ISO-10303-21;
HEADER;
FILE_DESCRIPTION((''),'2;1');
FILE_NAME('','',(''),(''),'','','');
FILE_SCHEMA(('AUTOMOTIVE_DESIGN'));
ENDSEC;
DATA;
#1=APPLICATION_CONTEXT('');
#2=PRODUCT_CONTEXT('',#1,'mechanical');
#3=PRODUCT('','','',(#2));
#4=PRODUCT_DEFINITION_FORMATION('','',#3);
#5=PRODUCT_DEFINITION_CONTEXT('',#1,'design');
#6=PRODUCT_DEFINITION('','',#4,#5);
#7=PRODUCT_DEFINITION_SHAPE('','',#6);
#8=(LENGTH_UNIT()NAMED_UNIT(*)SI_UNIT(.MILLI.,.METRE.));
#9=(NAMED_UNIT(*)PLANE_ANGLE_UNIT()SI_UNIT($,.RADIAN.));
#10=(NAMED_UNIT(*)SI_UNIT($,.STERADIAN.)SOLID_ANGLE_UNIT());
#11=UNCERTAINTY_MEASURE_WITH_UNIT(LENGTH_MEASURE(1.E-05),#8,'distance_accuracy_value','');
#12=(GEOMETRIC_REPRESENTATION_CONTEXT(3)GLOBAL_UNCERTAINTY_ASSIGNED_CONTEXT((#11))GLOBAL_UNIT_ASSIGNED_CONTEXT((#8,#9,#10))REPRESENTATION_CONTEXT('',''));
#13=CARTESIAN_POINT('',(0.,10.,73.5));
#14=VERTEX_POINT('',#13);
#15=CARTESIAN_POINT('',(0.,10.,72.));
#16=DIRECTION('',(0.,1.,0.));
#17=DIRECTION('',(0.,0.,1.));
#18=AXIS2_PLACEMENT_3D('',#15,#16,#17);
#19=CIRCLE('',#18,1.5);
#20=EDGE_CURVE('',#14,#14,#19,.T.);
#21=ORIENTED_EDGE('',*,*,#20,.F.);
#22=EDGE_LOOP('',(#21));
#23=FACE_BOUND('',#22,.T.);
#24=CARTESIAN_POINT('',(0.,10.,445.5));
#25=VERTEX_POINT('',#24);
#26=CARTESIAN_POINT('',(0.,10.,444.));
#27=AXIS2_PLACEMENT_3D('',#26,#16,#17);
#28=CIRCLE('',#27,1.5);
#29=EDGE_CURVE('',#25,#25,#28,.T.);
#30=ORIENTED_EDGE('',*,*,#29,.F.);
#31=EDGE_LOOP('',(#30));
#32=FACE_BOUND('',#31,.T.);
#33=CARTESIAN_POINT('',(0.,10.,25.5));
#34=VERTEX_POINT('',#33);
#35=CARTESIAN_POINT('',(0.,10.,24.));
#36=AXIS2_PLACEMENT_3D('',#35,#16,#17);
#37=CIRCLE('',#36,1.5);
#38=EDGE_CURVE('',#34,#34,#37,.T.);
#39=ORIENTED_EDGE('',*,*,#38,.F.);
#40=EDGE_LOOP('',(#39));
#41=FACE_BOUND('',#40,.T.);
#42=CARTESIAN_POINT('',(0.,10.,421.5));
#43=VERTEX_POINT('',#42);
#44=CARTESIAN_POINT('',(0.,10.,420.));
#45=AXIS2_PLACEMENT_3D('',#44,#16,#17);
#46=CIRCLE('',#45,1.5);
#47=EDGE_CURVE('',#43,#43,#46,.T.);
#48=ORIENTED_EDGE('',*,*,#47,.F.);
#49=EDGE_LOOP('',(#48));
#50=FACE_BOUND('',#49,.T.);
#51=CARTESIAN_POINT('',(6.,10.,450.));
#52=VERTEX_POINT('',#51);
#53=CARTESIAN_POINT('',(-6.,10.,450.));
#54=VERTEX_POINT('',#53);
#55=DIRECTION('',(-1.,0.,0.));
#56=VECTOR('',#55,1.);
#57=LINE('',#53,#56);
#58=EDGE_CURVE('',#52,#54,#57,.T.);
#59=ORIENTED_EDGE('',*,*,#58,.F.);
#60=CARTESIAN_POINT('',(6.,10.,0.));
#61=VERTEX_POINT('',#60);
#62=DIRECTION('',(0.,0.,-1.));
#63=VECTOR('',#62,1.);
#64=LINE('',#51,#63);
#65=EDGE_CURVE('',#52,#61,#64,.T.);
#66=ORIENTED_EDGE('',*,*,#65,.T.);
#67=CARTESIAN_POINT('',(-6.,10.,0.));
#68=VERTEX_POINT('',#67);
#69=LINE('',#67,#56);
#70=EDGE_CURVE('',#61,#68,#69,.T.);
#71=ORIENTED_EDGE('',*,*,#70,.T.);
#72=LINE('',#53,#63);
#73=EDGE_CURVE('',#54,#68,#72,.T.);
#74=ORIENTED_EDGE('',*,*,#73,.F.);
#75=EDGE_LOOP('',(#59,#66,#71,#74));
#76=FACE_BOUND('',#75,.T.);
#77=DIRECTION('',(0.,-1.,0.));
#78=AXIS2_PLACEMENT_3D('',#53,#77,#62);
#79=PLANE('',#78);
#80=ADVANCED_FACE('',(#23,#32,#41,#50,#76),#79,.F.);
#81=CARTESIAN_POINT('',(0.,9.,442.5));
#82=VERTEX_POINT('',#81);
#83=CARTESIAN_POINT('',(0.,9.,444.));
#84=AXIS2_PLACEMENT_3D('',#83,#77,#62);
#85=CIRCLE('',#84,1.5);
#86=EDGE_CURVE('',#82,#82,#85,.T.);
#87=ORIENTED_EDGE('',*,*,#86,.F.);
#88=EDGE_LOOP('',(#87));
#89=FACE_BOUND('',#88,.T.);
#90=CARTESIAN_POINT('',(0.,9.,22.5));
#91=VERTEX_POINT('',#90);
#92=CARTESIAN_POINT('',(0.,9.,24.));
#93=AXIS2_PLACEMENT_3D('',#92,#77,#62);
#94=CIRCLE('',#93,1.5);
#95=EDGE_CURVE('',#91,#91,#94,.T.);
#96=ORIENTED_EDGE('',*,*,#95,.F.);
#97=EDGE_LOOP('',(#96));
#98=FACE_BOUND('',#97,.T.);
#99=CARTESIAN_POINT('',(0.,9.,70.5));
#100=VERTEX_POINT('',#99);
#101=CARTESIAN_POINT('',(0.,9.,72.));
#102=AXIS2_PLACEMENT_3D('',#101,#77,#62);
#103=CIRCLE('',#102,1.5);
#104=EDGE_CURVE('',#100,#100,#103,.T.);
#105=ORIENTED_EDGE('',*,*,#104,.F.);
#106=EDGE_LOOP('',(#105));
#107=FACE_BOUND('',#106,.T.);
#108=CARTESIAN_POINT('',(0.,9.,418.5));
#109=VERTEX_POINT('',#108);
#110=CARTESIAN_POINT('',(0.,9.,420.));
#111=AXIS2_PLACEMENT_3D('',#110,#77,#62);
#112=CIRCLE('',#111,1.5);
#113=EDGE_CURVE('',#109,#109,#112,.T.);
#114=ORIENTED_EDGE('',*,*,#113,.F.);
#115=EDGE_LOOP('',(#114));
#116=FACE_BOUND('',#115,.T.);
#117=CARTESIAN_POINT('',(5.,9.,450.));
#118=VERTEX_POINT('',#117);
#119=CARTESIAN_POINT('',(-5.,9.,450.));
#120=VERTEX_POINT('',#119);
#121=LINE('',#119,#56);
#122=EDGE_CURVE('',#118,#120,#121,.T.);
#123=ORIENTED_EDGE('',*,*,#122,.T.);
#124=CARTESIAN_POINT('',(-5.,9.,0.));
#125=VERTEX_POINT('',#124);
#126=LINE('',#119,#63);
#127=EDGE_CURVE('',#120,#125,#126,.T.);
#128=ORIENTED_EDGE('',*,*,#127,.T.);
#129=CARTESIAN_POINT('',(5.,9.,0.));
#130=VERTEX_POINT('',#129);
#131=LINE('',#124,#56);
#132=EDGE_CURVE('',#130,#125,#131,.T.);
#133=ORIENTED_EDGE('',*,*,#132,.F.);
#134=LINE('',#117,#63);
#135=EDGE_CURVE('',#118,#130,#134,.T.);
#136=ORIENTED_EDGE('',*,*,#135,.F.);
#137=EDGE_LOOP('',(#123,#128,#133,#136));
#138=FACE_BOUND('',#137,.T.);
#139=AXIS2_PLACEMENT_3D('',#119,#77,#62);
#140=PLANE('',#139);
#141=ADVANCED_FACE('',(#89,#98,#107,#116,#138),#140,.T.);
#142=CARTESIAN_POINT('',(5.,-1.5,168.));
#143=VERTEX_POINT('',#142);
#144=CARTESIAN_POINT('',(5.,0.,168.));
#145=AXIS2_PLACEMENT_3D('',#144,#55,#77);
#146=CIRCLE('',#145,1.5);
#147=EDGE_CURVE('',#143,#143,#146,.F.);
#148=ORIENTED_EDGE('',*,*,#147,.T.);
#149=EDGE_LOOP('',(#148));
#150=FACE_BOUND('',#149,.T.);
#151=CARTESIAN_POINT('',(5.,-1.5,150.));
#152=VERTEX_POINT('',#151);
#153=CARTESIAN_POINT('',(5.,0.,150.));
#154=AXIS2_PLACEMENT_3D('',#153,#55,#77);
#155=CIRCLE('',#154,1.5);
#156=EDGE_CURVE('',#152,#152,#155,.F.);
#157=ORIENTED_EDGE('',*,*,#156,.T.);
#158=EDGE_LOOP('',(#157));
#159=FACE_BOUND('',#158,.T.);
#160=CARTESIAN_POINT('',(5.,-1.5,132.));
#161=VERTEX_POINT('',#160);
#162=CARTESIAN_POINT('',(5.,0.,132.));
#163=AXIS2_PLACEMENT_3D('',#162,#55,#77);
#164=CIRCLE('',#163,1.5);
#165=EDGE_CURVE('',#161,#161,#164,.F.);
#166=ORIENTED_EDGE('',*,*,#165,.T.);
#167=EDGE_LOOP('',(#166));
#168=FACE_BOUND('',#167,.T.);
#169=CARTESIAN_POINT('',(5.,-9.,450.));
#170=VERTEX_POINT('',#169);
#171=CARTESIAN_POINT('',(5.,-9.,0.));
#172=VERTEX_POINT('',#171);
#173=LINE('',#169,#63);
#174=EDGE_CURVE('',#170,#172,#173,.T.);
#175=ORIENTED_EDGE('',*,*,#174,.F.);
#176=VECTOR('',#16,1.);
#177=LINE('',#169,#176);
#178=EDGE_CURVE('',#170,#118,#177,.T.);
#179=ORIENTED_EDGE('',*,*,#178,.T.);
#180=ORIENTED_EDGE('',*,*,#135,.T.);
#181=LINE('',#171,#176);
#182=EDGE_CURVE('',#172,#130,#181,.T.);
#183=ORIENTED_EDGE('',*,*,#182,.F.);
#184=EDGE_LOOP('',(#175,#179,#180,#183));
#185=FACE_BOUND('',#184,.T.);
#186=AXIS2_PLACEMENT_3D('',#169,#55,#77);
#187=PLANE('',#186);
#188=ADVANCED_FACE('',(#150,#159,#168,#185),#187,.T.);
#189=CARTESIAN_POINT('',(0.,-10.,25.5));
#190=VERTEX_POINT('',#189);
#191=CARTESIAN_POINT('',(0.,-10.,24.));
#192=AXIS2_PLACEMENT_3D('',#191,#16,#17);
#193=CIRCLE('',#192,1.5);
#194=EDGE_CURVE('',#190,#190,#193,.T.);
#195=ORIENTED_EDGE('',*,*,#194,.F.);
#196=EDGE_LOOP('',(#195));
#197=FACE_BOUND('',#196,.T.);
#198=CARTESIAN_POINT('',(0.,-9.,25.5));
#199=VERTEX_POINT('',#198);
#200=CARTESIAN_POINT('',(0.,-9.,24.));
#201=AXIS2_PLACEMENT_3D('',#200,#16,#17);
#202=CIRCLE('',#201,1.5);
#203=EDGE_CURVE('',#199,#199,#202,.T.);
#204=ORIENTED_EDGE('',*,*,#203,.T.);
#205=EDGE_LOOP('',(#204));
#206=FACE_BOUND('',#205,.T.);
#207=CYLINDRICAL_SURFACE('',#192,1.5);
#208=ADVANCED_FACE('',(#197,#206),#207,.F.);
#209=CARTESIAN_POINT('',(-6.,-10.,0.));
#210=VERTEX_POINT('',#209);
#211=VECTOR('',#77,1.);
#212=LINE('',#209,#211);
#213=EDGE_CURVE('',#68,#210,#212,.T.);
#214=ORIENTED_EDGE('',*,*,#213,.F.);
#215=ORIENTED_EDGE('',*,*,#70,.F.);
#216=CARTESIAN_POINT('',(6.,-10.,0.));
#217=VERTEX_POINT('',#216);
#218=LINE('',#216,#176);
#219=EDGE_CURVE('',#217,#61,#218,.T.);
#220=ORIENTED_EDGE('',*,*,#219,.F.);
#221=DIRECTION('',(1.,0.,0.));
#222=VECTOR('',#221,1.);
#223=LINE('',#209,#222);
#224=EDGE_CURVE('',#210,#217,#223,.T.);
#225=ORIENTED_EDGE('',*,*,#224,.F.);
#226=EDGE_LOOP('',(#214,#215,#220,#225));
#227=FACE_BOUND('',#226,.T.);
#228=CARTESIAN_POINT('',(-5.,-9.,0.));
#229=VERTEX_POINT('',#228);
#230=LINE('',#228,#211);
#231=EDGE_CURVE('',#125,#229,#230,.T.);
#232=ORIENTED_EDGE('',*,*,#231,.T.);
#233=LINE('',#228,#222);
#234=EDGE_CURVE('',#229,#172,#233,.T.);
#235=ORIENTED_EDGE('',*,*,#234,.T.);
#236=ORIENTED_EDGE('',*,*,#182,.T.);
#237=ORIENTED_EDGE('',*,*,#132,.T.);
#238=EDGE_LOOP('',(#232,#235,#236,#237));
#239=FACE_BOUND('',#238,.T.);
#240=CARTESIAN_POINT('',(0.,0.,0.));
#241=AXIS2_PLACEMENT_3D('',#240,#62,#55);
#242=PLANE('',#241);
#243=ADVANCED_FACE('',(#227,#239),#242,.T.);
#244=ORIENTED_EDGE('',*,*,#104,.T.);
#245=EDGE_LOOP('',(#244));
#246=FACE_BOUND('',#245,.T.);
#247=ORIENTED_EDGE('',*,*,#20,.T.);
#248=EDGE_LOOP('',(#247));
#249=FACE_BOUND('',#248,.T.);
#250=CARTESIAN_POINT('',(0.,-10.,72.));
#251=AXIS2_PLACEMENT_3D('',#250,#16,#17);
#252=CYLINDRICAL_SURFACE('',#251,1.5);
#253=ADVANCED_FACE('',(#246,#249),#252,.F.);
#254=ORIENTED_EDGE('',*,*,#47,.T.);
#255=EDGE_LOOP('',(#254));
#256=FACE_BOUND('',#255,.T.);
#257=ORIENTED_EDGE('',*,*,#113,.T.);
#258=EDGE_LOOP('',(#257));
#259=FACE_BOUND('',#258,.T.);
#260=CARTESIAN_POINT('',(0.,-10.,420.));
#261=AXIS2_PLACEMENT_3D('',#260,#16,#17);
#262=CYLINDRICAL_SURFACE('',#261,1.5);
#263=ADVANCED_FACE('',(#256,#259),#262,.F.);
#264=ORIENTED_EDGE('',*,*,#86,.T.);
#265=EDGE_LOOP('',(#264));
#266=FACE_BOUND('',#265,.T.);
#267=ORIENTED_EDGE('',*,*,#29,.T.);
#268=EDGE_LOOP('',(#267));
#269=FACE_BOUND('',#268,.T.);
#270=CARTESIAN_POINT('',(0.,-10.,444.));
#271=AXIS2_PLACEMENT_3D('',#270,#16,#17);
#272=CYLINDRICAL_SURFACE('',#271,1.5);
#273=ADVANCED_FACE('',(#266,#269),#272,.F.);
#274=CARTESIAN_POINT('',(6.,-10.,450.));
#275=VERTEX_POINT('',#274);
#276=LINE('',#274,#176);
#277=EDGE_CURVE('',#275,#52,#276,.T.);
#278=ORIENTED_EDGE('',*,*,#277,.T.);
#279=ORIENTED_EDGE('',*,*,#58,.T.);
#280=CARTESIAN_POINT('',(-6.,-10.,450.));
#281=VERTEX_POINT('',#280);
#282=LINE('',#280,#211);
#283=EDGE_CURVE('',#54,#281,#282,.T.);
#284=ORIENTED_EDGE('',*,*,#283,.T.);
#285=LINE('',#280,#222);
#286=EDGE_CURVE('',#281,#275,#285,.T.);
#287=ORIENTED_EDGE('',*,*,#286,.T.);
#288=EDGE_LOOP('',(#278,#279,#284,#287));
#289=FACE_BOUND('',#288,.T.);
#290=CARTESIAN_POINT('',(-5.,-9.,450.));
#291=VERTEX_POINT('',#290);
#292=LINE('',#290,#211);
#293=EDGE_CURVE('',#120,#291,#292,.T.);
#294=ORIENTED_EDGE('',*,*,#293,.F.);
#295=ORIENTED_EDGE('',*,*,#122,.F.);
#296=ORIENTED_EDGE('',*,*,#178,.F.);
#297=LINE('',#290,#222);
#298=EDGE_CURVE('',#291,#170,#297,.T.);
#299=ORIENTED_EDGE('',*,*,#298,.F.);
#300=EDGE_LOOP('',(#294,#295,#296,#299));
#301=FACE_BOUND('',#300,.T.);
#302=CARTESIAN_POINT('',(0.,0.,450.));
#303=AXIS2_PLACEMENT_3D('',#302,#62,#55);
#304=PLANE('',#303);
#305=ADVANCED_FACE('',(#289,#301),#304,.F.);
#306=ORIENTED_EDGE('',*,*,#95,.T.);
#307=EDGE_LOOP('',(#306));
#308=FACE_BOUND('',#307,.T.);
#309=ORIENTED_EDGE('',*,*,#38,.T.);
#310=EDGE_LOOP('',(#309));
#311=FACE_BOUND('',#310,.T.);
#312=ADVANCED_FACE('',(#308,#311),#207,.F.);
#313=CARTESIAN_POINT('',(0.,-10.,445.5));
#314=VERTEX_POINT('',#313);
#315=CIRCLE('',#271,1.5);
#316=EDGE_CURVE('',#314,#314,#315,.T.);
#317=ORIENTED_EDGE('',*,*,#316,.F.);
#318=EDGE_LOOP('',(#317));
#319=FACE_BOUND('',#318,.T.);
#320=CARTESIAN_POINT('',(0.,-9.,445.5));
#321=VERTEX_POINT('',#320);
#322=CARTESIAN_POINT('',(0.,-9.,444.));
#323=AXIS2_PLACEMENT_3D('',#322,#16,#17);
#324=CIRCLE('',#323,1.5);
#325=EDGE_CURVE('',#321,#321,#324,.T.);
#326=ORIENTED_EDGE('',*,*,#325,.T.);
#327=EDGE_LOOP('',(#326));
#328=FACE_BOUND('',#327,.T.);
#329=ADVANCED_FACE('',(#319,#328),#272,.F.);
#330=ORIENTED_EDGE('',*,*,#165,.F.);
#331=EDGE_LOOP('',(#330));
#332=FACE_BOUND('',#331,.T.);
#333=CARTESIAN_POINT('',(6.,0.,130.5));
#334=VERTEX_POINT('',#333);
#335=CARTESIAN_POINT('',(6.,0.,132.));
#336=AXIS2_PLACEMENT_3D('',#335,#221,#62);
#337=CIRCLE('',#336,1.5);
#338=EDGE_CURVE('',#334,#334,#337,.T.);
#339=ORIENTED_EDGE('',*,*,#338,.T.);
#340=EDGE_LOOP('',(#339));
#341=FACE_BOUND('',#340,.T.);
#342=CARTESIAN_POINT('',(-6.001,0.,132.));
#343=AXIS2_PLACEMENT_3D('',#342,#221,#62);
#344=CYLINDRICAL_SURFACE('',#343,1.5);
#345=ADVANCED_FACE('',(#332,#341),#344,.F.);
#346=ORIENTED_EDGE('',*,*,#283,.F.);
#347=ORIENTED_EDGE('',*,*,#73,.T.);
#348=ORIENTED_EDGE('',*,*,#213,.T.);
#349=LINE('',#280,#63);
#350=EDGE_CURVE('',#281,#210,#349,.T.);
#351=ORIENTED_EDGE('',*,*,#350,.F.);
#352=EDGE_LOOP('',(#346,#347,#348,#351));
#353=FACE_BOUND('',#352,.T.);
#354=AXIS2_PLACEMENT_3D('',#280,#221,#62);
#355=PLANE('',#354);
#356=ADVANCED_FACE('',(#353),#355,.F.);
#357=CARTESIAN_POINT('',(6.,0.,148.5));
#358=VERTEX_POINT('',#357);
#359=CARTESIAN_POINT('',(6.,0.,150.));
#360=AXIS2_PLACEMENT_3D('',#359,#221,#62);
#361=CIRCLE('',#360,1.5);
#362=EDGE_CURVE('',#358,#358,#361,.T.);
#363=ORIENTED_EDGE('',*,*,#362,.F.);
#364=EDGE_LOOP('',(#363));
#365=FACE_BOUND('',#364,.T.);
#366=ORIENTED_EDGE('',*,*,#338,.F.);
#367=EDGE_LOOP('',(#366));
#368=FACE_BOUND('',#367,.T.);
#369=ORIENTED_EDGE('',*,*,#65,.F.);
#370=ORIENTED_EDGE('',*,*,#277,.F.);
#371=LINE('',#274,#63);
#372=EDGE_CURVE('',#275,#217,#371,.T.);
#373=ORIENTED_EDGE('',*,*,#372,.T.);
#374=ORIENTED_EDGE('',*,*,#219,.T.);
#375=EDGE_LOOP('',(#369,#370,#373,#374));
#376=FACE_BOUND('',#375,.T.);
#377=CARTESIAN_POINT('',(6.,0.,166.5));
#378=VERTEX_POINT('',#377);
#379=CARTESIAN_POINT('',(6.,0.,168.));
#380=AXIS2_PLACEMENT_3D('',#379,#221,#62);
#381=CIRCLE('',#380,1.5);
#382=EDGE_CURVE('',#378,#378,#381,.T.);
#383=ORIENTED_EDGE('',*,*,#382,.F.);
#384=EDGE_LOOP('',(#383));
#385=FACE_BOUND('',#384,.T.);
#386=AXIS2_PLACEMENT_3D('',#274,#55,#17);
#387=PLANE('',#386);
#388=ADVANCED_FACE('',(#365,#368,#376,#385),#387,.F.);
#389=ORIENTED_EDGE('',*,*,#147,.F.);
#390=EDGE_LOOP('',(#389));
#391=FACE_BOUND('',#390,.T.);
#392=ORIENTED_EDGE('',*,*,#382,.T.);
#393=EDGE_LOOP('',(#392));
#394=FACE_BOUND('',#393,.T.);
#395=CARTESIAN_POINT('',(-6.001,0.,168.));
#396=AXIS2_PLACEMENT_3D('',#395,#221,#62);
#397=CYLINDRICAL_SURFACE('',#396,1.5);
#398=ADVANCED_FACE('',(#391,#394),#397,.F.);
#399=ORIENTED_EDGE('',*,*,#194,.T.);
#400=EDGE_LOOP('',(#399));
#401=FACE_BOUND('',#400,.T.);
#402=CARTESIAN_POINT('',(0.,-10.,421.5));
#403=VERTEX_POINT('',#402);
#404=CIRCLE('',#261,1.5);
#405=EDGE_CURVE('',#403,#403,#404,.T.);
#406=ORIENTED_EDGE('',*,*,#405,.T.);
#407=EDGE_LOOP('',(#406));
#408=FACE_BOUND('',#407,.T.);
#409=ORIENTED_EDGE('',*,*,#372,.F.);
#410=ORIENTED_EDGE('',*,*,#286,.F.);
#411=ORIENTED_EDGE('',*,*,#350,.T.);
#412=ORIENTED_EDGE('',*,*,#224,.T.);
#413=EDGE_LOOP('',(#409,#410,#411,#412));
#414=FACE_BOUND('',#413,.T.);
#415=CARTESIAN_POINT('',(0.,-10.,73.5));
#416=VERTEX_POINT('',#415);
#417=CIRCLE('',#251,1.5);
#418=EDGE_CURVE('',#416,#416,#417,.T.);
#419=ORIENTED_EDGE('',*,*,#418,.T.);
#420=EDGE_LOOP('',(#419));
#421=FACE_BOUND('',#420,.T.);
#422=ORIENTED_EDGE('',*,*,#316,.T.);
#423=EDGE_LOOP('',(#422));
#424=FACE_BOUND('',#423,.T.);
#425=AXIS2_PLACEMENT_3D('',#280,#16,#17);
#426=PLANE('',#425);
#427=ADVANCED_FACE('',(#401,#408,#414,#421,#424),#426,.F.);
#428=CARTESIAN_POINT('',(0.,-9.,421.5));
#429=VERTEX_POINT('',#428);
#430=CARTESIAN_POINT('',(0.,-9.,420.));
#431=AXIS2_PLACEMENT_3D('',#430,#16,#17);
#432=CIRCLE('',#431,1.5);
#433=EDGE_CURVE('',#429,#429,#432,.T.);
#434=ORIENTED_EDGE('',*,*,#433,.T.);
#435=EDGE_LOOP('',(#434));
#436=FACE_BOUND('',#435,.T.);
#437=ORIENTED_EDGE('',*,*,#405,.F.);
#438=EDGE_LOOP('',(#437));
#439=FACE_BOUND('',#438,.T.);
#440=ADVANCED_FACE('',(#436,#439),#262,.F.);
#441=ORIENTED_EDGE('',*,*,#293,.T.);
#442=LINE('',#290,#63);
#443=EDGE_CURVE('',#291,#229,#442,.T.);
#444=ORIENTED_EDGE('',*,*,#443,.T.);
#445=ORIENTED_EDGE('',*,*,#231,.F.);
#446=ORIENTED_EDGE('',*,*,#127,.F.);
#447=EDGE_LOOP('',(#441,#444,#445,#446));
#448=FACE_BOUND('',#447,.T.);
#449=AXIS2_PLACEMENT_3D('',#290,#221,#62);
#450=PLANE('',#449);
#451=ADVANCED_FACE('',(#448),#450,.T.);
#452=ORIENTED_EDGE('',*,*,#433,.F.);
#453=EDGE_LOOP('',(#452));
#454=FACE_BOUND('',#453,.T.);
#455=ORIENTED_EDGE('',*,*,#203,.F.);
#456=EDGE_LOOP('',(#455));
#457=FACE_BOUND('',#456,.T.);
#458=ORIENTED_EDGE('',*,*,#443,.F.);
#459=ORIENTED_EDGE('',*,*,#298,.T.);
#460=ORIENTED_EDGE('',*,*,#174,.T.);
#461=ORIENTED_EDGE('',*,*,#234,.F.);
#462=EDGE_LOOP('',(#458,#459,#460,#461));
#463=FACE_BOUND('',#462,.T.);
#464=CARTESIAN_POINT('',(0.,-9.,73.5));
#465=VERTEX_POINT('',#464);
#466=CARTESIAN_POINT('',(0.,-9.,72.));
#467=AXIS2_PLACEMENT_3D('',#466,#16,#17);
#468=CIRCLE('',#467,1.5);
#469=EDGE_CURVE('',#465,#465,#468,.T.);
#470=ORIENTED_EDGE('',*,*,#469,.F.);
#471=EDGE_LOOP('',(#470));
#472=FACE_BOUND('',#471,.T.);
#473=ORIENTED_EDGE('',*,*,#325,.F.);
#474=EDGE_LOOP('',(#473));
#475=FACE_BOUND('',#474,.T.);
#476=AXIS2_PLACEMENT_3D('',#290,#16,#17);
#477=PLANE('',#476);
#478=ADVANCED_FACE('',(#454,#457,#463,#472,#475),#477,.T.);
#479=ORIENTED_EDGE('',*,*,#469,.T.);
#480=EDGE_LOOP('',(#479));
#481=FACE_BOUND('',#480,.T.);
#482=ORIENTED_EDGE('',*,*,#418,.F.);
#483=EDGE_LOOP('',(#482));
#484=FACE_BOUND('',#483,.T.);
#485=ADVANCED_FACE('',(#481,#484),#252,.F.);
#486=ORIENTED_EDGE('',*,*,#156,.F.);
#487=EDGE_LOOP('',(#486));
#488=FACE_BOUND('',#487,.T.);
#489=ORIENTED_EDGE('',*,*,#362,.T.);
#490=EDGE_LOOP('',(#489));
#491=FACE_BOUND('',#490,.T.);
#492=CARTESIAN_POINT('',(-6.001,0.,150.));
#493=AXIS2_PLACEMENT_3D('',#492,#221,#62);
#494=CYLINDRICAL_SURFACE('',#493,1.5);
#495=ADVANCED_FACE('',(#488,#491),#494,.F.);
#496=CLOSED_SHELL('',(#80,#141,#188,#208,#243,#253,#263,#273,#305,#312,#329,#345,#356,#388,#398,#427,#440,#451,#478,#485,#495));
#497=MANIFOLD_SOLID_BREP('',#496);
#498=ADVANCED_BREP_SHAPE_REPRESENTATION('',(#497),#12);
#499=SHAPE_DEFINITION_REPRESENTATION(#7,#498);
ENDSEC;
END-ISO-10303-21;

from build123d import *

# Parameters (mm, degrees)
SKETCH1_W           = 12
SKETCH1_H           = 20
SKETCH1_W_2         = 10
SKETCH1_H_2         = 18
BOSS_EXTRUDE1_DEPTH = 450
CUT_EXTRUDE1_REACH  = 452.271
SKETCH2_R           = 1.5
SKETCH3_R           = 1.5
CUT_EXTRUDE2_DEPTH  = 451.484183962


with BuildPart() as part:
    # Sketch1 → Boss-Extrude1 (new body)
    with BuildSketch(Plane.XY):
        Rectangle(SKETCH1_W, SKETCH1_H)
        Rectangle(SKETCH1_W_2, SKETCH1_H_2, mode=Mode.SUBTRACT)
    extrude(amount=BOSS_EXTRUDE1_DEPTH)

    # Sketch2 → Cut-Extrude1 (cut, up to next)
    with BuildSketch(Plane(origin=(6, 0, 0), x_dir=(0, 0, -1), z_dir=(1, 0, 0)), mode=Mode.PRIVATE) as cut_extrude1_sk1:
        with Locations((-168, 0)):
            Circle(SKETCH2_R)
    cut_extrude1_tool1 = extrude(cut_extrude1_sk1.sketch, amount=-CUT_EXTRUDE1_REACH, mode=Mode.PRIVATE) & part.part
    # Sketch2 → Cut-Extrude1 (cut, up to next)
    with BuildSketch(Plane(origin=(6, 0, 0), x_dir=(0, 0, -1), z_dir=(1, 0, 0)), mode=Mode.PRIVATE) as cut_extrude1_sk2:
        with Locations((-150, 0)):
            Circle(SKETCH2_R)
    cut_extrude1_tool2 = extrude(cut_extrude1_sk2.sketch, amount=-CUT_EXTRUDE1_REACH, mode=Mode.PRIVATE) & part.part
    # Sketch2 → Cut-Extrude1 (cut, up to next)
    with BuildSketch(Plane(origin=(6, 0, 0), x_dir=(0, 0, -1), z_dir=(1, 0, 0)), mode=Mode.PRIVATE) as cut_extrude1_sk3:
        with Locations((-132, 0)):
            Circle(SKETCH2_R)
    cut_extrude1_tool3 = extrude(cut_extrude1_sk3.sketch, amount=-CUT_EXTRUDE1_REACH, mode=Mode.PRIVATE) & part.part
    add(cut_extrude1_tool1.solids().sort_by_distance((6, 0, 168))[0], mode=Mode.SUBTRACT)
    add(cut_extrude1_tool2.solids().sort_by_distance((6, 0, 150))[0], mode=Mode.SUBTRACT)
    add(cut_extrude1_tool3.solids().sort_by_distance((6, 0, 132))[0], mode=Mode.SUBTRACT)

    # Sketch3 → Cut-Extrude2 (cut, through all)
    with BuildSketch(Plane(origin=(0, 10, 0), x_dir=(1, 0, 0), z_dir=(0, 1, 0))):
        with Locations(Location((0, -444, 0), (0, 0, 270))):
            Circle(SKETCH3_R)
        with Locations(Location((0, -420, 0), (0, 0, 270))):
            Circle(SKETCH3_R)
        with Locations(Location((0, -24, 0), (0, 0, 270))):
            Circle(SKETCH3_R)
        with Locations(Location((0, -72, 0), (0, 0, 270))):
            Circle(SKETCH3_R)
    extrude(amount=-CUT_EXTRUDE2_DEPTH, mode=Mode.SUBTRACT)


solid = part.part
